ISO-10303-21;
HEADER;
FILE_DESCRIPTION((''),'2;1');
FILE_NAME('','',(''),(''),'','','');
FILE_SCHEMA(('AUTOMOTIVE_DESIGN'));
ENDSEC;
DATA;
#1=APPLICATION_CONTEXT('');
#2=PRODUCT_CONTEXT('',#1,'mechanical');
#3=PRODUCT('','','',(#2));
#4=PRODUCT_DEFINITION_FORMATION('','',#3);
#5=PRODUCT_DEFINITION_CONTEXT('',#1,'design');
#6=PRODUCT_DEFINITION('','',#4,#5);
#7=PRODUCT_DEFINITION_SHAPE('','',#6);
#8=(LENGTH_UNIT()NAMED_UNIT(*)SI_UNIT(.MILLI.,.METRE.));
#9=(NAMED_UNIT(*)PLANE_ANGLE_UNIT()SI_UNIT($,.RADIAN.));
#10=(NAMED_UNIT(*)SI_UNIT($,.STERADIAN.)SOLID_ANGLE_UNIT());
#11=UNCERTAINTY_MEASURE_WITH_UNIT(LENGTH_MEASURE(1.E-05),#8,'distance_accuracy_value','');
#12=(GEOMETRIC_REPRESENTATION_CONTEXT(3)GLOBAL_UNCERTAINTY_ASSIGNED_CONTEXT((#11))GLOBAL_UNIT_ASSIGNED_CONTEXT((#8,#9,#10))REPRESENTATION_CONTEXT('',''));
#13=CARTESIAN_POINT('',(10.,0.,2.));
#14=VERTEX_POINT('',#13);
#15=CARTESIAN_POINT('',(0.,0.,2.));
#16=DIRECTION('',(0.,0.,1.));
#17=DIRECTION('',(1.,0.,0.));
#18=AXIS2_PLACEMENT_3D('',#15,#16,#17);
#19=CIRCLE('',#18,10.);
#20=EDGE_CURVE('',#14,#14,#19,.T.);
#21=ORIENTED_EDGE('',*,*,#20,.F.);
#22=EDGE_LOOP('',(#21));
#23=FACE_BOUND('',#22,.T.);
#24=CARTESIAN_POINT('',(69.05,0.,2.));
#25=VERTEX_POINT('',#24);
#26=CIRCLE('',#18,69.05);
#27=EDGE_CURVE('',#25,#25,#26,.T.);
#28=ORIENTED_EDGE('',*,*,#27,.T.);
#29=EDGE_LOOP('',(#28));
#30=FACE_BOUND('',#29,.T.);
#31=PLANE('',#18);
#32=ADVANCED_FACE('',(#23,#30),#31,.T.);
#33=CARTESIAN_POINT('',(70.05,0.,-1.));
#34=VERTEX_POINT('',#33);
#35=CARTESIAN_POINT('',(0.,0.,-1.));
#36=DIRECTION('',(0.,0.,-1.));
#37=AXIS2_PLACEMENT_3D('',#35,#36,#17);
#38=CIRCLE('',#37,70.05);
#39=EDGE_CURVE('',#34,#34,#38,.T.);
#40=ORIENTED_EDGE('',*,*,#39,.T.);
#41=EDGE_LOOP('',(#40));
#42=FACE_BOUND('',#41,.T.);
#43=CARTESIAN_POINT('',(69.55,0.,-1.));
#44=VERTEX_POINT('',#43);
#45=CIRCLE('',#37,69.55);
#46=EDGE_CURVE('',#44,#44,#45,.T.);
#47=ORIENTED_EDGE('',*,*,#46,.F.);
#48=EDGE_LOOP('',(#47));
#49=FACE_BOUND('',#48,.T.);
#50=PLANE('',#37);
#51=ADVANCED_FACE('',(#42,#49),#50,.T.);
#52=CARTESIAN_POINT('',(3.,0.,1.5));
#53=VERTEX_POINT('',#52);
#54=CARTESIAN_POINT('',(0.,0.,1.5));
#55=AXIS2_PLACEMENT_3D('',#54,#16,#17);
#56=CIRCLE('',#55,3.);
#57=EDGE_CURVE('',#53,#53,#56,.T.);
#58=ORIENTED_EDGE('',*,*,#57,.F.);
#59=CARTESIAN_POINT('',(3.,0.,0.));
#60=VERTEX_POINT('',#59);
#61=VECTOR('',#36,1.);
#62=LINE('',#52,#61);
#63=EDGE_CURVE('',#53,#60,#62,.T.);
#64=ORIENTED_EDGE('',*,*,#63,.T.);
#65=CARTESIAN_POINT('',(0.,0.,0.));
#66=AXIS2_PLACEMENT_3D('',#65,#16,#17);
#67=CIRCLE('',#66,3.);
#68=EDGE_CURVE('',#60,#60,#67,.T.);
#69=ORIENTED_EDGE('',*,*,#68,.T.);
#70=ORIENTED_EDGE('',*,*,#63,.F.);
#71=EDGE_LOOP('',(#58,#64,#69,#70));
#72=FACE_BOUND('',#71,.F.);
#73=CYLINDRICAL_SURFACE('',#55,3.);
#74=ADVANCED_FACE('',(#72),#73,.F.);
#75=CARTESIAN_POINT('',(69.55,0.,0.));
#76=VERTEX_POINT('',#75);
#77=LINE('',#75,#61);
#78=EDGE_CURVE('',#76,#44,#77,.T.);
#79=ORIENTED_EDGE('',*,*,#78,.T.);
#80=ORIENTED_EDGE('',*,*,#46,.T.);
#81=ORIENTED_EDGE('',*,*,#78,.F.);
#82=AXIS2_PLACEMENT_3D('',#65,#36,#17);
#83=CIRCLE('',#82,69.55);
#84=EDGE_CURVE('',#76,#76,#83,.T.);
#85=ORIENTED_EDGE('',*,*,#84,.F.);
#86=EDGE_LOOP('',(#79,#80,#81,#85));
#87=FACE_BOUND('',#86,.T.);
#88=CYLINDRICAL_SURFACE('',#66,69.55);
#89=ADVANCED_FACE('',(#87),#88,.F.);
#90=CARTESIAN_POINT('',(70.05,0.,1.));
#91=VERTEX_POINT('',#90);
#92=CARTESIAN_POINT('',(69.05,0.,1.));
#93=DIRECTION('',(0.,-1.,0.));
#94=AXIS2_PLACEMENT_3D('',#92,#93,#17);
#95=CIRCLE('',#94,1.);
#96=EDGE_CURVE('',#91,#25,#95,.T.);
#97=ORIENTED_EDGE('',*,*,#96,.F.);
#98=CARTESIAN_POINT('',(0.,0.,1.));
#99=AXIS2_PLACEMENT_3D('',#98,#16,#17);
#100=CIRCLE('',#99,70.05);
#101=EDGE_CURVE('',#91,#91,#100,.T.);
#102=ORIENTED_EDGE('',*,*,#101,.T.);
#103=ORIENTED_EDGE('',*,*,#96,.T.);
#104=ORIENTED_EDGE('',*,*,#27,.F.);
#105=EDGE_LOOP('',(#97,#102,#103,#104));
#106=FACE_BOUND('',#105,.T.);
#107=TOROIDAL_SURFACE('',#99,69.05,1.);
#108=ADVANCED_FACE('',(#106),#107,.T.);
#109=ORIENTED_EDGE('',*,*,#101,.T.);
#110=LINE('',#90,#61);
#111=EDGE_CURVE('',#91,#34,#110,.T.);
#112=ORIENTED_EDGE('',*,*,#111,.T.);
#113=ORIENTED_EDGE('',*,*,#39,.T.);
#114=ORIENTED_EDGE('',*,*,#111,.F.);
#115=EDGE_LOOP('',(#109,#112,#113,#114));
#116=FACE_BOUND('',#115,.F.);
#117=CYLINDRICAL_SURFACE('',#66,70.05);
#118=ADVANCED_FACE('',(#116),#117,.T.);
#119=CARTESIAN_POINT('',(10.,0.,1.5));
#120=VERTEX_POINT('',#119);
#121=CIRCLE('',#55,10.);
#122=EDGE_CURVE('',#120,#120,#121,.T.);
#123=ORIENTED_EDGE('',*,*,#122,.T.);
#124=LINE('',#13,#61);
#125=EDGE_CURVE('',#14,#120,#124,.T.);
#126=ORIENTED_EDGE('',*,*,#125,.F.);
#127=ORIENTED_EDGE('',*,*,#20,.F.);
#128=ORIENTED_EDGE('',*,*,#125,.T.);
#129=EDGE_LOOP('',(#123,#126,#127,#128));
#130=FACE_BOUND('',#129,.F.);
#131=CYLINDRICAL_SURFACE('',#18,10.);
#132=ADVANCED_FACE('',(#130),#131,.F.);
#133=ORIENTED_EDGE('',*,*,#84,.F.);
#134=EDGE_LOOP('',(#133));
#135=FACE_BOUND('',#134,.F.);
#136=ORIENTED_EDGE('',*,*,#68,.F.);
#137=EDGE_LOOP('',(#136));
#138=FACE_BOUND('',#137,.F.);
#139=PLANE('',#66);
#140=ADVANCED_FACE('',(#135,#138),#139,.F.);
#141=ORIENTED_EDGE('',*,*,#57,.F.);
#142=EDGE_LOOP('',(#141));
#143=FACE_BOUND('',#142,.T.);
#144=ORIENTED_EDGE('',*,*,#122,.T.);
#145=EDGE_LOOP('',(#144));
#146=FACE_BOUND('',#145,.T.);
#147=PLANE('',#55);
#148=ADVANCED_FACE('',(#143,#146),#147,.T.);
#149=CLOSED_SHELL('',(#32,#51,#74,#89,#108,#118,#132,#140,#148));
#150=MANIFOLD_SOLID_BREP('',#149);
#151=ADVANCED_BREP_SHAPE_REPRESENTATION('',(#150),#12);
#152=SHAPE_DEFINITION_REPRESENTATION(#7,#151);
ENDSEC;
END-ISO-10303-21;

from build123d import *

# Parameters (mm, degrees)
F0_R     = 70.05
F1_DEPTH = 2
F2_R     = 1
F3_R     = 70.05
F3_R_2   = 69.55
F4_DEPTH = 1
F5_R     = 10
F6_DEPTH = 0.5
F7_R     = 3
F8_DEPTH = 1.5


with BuildPart() as f1:
    # F0 (on Top) → F1 (new body)
    with BuildSketch(Plane.XY):
        Circle(F0_R)
    extrude(amount=F1_DEPTH)

    # F2
    f2_edges = [f1.edges().sort_by_distance(p)[0] for p in [
        (-70.05, 0, 2),
    ]]
    fillet(f2_edges, radius=F2_R)

    # F3 (on face) → F4 (join)
    with BuildSketch(Plane(origin=(0, 0, 0), x_dir=(1, 0, 0), z_dir=(0, 0, -1))):
        Circle(F3_R)
        Circle(F3_R_2, mode=Mode.SUBTRACT)
    extrude(amount=F4_DEPTH)

    # F5 (on face) → F6 (cut)
    with BuildSketch(Plane.XY.offset(2)):
        Circle(F5_R)
    extrude(amount=-F6_DEPTH, mode=Mode.SUBTRACT)

    # F7 (on face) → F8 (cut, through all)
    with BuildSketch(Plane.XY.offset(1.5)):
        Circle(F7_R)
    extrude(amount=-F8_DEPTH, mode=Mode.SUBTRACT)


solid = f1.part
